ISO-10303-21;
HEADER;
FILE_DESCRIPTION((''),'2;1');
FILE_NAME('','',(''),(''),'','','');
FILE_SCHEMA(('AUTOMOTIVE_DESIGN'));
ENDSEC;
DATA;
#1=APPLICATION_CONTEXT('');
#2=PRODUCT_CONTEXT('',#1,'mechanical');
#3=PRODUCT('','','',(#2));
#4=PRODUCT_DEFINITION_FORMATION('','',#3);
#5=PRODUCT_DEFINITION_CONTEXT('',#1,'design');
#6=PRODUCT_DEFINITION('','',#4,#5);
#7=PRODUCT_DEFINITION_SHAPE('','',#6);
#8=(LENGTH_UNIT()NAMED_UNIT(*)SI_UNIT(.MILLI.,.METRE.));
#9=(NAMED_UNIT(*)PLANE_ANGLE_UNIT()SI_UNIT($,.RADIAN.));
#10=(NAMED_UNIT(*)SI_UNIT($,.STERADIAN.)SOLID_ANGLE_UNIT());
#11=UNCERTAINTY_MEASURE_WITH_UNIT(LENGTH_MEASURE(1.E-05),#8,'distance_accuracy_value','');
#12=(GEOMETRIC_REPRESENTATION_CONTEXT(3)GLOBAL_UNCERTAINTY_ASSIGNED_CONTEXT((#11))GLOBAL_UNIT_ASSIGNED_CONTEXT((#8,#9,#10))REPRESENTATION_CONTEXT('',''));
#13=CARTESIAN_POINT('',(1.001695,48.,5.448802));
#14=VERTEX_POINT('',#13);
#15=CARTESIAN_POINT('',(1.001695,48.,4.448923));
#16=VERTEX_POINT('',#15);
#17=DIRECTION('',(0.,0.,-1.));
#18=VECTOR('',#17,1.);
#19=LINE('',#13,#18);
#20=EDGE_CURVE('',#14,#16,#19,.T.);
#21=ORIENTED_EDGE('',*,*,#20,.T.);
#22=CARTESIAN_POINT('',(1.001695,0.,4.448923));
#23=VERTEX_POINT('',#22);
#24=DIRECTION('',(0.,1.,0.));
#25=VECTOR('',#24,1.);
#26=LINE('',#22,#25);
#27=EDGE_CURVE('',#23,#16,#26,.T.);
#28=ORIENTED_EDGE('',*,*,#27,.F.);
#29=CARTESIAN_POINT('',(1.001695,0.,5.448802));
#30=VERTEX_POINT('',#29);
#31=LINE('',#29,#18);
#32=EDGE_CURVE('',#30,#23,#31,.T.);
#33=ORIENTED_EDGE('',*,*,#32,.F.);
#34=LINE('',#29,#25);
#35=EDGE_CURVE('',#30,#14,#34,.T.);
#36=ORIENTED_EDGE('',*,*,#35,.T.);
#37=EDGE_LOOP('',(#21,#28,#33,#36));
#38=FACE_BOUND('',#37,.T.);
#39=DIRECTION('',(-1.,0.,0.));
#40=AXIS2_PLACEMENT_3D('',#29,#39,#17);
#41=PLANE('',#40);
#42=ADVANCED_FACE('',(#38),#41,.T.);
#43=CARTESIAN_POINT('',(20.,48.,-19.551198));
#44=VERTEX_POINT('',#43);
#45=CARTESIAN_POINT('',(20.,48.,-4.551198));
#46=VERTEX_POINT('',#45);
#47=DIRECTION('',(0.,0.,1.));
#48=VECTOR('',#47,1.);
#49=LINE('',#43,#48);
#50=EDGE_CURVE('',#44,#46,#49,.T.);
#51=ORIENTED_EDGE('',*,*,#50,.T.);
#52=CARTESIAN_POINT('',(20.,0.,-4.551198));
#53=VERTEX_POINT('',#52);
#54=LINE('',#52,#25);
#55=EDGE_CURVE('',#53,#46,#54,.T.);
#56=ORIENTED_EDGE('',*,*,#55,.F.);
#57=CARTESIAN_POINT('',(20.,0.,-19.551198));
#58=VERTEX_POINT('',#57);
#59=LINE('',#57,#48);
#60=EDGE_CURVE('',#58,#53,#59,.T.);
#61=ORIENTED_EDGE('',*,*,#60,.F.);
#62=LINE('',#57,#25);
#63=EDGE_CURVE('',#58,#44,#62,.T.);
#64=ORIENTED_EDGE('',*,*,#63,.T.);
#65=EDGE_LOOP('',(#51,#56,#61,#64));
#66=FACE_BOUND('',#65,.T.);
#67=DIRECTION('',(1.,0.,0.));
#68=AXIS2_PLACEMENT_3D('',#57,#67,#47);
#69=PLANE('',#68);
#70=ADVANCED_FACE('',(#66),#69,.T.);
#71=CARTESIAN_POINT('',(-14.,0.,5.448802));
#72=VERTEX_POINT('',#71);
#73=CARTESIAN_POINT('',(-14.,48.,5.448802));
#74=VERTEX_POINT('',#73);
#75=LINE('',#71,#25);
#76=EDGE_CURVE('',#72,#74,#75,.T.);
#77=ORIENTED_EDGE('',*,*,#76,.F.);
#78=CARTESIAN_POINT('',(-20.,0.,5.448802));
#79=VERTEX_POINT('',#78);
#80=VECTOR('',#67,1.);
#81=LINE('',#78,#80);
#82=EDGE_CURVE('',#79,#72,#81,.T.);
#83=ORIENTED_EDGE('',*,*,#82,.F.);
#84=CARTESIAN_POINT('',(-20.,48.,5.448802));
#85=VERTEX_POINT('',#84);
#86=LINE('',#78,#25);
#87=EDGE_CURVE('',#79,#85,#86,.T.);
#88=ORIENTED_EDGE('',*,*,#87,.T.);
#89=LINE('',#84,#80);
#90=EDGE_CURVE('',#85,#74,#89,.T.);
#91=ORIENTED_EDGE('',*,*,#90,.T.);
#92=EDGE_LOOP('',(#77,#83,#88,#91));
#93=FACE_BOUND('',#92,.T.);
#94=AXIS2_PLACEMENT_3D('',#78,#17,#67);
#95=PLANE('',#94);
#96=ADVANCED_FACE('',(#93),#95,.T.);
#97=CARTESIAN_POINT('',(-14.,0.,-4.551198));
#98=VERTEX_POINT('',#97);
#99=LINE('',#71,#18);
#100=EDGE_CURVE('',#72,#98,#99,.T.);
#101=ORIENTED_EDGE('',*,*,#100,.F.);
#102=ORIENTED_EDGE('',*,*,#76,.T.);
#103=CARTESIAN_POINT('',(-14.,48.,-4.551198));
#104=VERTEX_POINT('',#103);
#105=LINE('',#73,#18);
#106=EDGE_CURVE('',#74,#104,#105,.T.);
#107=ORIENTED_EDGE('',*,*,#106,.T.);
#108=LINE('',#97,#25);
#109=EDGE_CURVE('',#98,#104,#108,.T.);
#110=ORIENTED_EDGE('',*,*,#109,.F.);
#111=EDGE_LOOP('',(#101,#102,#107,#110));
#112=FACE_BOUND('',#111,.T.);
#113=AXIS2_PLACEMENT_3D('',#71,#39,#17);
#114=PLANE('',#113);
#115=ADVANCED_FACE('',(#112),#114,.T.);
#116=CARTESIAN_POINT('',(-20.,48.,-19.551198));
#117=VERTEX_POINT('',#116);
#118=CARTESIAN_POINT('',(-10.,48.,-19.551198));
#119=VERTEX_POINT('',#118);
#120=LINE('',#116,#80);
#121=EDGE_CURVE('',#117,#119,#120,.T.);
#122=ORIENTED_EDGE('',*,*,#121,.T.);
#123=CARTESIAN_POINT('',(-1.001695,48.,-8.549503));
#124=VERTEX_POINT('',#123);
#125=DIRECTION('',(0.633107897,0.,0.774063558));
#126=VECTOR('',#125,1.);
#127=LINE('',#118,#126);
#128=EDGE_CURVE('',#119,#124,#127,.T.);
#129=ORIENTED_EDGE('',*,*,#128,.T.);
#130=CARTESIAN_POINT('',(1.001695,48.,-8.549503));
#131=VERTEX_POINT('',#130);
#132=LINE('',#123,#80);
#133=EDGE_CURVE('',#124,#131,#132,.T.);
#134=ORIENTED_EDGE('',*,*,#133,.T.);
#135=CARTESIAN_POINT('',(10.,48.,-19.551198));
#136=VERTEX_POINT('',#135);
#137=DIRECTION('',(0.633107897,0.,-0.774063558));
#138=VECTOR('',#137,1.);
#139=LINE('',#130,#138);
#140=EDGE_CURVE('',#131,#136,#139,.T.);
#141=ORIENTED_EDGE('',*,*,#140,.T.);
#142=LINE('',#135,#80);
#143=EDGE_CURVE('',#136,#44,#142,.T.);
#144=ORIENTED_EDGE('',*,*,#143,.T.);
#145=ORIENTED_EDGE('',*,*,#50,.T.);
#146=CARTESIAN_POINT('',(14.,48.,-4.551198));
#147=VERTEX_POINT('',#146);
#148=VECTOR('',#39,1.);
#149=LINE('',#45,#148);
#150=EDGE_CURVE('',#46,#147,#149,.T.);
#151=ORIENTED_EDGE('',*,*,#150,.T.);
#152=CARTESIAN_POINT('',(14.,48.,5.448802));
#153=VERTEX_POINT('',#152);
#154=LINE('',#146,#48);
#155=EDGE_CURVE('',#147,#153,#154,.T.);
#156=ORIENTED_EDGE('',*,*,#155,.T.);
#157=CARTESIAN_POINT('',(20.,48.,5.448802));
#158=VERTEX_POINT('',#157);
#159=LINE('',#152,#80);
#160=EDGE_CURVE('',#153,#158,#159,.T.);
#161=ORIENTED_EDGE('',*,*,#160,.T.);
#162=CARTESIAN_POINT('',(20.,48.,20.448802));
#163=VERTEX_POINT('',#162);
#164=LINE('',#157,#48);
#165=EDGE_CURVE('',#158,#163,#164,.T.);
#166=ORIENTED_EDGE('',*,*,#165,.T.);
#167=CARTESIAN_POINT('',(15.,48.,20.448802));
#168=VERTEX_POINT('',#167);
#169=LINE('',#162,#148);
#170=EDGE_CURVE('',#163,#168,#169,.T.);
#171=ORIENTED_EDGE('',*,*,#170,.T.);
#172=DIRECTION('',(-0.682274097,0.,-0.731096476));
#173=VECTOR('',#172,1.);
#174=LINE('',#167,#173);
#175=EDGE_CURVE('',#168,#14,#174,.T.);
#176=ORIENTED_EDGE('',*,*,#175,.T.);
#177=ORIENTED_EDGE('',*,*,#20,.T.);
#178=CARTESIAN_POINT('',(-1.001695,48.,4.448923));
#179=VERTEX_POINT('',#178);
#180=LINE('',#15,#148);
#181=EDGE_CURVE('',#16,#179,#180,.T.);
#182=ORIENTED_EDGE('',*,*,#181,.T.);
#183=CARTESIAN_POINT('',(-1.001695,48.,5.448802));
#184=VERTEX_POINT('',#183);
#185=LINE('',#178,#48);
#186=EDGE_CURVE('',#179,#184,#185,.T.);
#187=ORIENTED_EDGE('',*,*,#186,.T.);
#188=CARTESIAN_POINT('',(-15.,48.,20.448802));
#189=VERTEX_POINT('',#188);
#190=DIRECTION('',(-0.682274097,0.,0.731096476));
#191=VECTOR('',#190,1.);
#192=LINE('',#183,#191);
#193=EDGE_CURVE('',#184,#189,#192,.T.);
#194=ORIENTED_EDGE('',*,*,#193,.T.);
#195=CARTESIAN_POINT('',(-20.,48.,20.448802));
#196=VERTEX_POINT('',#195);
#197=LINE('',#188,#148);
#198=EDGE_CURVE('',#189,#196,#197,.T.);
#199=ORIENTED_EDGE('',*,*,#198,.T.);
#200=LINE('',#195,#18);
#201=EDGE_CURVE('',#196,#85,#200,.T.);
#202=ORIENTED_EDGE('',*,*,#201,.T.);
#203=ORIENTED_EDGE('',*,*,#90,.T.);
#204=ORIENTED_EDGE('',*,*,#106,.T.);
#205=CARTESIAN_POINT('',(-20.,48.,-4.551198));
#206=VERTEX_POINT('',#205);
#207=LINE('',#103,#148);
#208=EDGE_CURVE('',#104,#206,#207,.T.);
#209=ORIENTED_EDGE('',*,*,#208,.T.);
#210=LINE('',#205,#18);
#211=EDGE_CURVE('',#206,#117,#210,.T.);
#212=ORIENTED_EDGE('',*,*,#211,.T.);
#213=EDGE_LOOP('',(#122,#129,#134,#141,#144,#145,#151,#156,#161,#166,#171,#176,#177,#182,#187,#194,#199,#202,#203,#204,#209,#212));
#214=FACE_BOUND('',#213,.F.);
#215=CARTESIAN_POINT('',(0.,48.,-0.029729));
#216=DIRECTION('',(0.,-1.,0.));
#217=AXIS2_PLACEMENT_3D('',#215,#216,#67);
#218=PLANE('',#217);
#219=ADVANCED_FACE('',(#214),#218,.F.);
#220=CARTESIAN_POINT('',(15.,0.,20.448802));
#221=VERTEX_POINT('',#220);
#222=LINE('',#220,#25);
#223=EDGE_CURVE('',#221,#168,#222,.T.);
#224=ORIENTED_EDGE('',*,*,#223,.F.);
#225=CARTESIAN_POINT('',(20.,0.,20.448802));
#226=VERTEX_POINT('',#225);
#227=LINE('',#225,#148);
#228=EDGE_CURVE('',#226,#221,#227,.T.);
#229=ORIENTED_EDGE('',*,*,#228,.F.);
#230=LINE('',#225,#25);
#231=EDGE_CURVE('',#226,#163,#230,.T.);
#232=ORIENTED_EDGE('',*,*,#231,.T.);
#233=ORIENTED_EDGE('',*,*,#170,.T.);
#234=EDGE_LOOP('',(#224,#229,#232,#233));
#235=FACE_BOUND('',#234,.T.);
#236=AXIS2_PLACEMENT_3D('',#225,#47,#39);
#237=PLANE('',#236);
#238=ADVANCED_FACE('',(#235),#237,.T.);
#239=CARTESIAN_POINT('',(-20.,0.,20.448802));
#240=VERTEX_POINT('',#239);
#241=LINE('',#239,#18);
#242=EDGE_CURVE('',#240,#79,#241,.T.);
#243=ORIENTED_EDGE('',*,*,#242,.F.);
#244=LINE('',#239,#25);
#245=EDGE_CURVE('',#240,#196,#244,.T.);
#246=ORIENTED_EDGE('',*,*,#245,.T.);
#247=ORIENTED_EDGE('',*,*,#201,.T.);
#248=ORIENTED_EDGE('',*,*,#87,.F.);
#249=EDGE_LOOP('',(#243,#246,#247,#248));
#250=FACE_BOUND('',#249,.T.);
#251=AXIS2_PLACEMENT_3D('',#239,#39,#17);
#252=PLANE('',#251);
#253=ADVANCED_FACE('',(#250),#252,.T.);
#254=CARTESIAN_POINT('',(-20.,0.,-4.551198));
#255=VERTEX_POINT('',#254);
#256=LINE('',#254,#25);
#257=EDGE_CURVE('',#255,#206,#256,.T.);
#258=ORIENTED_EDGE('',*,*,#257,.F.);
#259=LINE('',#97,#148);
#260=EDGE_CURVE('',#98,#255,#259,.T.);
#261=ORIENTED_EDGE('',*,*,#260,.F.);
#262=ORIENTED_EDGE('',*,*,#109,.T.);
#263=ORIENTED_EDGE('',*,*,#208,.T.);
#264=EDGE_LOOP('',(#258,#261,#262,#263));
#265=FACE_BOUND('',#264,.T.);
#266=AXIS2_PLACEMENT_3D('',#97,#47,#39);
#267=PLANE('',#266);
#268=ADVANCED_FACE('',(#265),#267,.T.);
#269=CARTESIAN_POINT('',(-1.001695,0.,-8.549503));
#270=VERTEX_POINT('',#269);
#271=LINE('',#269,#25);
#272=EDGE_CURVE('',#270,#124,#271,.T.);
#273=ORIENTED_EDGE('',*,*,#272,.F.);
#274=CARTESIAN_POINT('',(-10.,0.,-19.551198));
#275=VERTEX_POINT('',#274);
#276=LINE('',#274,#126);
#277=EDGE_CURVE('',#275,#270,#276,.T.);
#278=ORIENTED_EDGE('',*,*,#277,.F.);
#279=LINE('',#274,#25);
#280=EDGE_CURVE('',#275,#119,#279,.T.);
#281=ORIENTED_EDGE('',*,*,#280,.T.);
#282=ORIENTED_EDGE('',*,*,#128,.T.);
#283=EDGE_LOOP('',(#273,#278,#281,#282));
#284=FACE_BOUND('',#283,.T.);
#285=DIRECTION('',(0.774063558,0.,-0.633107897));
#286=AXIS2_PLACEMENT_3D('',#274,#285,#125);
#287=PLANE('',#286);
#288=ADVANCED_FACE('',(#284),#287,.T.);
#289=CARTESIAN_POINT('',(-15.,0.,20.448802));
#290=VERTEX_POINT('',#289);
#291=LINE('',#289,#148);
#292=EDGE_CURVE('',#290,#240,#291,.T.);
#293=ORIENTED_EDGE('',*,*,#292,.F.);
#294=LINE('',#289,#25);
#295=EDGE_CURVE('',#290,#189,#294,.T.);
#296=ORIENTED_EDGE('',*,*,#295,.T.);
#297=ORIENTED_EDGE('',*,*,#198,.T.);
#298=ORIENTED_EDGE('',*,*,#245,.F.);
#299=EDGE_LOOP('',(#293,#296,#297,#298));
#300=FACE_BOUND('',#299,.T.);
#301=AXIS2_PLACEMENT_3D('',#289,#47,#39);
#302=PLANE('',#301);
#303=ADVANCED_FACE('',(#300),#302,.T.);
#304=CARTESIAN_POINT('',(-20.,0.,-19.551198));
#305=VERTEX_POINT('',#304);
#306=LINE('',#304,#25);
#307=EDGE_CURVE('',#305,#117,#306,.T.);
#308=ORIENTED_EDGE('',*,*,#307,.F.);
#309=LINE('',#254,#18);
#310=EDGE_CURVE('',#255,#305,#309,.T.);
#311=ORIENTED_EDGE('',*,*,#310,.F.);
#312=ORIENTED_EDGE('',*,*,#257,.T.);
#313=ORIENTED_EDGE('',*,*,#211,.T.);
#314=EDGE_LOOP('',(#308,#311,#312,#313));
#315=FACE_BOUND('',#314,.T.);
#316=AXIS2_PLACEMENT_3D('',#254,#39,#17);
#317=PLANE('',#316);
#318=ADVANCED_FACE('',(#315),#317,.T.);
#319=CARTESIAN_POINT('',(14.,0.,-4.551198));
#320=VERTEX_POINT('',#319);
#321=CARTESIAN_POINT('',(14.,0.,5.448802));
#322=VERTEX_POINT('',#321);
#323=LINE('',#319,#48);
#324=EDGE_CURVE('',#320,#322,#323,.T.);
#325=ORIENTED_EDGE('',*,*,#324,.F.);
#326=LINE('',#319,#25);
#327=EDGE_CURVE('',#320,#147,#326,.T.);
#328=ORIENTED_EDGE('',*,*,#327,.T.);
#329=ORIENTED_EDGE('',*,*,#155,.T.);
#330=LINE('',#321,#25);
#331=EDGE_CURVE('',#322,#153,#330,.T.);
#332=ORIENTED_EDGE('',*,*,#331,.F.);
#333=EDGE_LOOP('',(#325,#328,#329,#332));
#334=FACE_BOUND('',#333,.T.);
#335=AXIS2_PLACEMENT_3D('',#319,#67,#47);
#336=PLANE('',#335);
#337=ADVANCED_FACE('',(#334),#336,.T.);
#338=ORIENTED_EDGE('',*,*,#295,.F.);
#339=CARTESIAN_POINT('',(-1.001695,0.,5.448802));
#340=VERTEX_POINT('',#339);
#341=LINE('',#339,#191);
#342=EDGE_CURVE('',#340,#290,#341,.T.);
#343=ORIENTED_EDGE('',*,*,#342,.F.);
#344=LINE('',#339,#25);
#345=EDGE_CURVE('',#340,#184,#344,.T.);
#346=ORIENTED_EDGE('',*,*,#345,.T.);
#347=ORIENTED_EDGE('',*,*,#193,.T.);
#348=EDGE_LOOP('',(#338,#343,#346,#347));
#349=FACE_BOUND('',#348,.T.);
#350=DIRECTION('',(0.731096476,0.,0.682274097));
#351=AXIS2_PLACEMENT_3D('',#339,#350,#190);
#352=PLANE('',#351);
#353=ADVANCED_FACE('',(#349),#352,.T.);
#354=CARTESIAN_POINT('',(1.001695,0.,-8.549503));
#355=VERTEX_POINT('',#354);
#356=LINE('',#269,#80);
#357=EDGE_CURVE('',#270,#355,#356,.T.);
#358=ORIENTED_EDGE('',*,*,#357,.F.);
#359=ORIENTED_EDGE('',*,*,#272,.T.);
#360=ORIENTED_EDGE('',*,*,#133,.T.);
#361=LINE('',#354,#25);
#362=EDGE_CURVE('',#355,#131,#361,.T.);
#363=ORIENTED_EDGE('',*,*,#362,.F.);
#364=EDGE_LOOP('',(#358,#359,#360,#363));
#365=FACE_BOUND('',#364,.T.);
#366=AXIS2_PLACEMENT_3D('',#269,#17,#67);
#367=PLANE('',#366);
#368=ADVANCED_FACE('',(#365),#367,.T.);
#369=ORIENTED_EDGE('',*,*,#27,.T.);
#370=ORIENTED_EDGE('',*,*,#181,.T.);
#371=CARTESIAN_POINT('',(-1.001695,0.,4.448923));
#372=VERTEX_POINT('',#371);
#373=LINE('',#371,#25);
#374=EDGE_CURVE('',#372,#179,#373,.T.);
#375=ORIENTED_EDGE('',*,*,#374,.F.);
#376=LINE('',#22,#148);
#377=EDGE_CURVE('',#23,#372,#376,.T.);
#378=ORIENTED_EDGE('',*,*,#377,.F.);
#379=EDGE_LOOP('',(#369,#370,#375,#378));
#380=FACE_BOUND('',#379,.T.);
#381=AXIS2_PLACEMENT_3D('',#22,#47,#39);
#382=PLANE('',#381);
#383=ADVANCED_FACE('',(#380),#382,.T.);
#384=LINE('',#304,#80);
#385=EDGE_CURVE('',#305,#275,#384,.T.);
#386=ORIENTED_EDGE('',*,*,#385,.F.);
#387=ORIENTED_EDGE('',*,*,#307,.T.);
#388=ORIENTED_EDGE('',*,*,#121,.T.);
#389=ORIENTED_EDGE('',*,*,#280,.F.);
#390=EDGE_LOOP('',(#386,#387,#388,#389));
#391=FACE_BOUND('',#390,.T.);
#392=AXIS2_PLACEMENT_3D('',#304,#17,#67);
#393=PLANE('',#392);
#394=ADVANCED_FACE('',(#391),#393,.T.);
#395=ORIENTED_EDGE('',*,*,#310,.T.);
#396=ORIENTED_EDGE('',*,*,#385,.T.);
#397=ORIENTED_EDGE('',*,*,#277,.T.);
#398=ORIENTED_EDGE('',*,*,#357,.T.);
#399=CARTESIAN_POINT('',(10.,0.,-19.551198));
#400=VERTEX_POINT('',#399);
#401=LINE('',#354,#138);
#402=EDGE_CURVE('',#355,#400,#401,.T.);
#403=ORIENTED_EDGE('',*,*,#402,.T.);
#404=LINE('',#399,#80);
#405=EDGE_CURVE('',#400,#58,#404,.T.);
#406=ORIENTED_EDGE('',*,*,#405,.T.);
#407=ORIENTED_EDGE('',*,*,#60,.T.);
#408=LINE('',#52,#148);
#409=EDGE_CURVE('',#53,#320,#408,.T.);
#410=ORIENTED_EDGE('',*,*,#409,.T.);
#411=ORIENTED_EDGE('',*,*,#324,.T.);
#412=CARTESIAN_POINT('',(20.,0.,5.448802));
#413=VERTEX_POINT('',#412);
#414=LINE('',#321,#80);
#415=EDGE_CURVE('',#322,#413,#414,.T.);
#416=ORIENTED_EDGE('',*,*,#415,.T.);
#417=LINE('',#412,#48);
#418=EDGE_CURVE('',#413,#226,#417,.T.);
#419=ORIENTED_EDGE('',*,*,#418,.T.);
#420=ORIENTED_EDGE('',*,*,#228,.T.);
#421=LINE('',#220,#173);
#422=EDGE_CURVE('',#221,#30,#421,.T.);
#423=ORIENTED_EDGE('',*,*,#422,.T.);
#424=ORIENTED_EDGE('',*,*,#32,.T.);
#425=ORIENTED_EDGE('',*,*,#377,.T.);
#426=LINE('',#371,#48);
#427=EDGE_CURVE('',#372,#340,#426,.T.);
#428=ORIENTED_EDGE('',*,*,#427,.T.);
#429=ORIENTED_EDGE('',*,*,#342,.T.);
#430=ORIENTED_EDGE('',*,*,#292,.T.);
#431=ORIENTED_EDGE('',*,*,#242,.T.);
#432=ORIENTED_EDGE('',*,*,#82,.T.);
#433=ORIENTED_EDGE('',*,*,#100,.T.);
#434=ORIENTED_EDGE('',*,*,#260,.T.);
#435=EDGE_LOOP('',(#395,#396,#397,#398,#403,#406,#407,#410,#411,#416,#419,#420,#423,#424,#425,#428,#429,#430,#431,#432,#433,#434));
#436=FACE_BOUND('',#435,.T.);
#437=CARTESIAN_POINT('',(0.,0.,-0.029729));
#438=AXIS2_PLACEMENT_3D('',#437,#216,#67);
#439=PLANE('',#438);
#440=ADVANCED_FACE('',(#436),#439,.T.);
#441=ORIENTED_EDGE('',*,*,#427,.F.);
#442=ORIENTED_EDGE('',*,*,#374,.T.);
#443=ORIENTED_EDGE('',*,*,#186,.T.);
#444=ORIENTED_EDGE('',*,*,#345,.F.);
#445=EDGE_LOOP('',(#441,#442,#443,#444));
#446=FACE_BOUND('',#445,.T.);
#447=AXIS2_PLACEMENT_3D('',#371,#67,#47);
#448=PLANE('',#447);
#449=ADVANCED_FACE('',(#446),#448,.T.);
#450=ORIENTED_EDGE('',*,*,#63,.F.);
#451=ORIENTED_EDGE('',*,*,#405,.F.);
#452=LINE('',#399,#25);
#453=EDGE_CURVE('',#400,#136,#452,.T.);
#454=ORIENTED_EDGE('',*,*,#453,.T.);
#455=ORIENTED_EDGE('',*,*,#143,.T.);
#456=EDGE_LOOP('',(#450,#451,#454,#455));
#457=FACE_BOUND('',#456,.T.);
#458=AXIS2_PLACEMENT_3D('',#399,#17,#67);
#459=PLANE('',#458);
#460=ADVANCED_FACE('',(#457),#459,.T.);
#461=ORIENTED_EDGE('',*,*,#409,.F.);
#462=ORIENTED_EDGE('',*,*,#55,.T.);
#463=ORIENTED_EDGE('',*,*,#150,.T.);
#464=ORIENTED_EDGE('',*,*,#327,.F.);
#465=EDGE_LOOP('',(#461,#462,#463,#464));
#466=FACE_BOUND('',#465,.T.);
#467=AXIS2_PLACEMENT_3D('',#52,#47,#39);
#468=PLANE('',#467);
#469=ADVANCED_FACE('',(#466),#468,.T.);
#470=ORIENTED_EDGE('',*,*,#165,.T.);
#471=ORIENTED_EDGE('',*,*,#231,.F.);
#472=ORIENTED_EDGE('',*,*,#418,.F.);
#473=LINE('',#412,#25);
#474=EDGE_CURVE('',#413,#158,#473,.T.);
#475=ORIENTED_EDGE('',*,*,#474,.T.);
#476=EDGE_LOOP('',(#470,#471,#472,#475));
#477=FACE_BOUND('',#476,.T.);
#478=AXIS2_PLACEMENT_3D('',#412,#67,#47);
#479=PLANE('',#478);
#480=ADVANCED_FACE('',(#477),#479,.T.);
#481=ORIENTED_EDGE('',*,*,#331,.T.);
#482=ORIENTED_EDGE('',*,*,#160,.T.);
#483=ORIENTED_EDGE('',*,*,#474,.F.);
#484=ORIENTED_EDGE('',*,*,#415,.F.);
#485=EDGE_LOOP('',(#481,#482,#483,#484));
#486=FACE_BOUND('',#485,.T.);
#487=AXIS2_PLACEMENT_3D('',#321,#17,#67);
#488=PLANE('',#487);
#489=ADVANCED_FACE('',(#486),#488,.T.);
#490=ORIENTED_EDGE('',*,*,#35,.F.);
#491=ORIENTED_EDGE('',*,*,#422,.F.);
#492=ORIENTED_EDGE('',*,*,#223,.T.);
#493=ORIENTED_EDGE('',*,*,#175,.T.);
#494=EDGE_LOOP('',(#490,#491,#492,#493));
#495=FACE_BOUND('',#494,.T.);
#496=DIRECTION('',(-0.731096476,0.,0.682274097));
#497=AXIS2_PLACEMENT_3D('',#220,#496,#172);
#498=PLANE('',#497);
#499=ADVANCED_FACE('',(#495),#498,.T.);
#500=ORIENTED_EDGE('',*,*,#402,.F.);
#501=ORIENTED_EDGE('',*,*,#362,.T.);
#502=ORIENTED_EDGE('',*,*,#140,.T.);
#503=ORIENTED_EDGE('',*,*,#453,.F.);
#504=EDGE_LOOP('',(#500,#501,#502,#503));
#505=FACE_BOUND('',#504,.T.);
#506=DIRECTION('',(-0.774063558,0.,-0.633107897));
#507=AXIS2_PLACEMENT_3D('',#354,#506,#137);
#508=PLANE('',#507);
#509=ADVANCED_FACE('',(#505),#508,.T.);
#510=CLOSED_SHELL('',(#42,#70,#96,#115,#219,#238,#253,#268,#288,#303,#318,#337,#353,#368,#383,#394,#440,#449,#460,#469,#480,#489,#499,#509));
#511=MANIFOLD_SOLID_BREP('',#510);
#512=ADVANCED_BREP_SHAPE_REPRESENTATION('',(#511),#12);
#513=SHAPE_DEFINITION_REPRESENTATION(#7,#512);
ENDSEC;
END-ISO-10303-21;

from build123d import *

# Parameters (mm, degrees)
F1_DEPTH = 48


with BuildPart() as f1:
    # F0 (on Front) → F1 (new body)
    with BuildSketch(Plane.XZ):
        Polygon((1.001695, 4.448923), (0, 4.448923), (-1.001695, 4.448923), (-1.001695, 5.448802), (-15, 20.448802), (-20, 20.448802), (-20, 5.448802), (-14, 5.448802), (-14, -4.551198), (-20, -4.551198), (-20, -19.551198), (-10, -19.551198), (-1.001695, -8.549503), (0, -8.549503), (1.001695, -8.549503), (10, -19.551198), (20, -19.551198), (20, -4.551198), (14, -4.551198), (14, 5.448802), (20, 5.448802), (20, 20.448802), (15, 20.448802), (1.001695, 5.448802), align=None)
    extrude(amount=-F1_DEPTH)


solid = f1.part
